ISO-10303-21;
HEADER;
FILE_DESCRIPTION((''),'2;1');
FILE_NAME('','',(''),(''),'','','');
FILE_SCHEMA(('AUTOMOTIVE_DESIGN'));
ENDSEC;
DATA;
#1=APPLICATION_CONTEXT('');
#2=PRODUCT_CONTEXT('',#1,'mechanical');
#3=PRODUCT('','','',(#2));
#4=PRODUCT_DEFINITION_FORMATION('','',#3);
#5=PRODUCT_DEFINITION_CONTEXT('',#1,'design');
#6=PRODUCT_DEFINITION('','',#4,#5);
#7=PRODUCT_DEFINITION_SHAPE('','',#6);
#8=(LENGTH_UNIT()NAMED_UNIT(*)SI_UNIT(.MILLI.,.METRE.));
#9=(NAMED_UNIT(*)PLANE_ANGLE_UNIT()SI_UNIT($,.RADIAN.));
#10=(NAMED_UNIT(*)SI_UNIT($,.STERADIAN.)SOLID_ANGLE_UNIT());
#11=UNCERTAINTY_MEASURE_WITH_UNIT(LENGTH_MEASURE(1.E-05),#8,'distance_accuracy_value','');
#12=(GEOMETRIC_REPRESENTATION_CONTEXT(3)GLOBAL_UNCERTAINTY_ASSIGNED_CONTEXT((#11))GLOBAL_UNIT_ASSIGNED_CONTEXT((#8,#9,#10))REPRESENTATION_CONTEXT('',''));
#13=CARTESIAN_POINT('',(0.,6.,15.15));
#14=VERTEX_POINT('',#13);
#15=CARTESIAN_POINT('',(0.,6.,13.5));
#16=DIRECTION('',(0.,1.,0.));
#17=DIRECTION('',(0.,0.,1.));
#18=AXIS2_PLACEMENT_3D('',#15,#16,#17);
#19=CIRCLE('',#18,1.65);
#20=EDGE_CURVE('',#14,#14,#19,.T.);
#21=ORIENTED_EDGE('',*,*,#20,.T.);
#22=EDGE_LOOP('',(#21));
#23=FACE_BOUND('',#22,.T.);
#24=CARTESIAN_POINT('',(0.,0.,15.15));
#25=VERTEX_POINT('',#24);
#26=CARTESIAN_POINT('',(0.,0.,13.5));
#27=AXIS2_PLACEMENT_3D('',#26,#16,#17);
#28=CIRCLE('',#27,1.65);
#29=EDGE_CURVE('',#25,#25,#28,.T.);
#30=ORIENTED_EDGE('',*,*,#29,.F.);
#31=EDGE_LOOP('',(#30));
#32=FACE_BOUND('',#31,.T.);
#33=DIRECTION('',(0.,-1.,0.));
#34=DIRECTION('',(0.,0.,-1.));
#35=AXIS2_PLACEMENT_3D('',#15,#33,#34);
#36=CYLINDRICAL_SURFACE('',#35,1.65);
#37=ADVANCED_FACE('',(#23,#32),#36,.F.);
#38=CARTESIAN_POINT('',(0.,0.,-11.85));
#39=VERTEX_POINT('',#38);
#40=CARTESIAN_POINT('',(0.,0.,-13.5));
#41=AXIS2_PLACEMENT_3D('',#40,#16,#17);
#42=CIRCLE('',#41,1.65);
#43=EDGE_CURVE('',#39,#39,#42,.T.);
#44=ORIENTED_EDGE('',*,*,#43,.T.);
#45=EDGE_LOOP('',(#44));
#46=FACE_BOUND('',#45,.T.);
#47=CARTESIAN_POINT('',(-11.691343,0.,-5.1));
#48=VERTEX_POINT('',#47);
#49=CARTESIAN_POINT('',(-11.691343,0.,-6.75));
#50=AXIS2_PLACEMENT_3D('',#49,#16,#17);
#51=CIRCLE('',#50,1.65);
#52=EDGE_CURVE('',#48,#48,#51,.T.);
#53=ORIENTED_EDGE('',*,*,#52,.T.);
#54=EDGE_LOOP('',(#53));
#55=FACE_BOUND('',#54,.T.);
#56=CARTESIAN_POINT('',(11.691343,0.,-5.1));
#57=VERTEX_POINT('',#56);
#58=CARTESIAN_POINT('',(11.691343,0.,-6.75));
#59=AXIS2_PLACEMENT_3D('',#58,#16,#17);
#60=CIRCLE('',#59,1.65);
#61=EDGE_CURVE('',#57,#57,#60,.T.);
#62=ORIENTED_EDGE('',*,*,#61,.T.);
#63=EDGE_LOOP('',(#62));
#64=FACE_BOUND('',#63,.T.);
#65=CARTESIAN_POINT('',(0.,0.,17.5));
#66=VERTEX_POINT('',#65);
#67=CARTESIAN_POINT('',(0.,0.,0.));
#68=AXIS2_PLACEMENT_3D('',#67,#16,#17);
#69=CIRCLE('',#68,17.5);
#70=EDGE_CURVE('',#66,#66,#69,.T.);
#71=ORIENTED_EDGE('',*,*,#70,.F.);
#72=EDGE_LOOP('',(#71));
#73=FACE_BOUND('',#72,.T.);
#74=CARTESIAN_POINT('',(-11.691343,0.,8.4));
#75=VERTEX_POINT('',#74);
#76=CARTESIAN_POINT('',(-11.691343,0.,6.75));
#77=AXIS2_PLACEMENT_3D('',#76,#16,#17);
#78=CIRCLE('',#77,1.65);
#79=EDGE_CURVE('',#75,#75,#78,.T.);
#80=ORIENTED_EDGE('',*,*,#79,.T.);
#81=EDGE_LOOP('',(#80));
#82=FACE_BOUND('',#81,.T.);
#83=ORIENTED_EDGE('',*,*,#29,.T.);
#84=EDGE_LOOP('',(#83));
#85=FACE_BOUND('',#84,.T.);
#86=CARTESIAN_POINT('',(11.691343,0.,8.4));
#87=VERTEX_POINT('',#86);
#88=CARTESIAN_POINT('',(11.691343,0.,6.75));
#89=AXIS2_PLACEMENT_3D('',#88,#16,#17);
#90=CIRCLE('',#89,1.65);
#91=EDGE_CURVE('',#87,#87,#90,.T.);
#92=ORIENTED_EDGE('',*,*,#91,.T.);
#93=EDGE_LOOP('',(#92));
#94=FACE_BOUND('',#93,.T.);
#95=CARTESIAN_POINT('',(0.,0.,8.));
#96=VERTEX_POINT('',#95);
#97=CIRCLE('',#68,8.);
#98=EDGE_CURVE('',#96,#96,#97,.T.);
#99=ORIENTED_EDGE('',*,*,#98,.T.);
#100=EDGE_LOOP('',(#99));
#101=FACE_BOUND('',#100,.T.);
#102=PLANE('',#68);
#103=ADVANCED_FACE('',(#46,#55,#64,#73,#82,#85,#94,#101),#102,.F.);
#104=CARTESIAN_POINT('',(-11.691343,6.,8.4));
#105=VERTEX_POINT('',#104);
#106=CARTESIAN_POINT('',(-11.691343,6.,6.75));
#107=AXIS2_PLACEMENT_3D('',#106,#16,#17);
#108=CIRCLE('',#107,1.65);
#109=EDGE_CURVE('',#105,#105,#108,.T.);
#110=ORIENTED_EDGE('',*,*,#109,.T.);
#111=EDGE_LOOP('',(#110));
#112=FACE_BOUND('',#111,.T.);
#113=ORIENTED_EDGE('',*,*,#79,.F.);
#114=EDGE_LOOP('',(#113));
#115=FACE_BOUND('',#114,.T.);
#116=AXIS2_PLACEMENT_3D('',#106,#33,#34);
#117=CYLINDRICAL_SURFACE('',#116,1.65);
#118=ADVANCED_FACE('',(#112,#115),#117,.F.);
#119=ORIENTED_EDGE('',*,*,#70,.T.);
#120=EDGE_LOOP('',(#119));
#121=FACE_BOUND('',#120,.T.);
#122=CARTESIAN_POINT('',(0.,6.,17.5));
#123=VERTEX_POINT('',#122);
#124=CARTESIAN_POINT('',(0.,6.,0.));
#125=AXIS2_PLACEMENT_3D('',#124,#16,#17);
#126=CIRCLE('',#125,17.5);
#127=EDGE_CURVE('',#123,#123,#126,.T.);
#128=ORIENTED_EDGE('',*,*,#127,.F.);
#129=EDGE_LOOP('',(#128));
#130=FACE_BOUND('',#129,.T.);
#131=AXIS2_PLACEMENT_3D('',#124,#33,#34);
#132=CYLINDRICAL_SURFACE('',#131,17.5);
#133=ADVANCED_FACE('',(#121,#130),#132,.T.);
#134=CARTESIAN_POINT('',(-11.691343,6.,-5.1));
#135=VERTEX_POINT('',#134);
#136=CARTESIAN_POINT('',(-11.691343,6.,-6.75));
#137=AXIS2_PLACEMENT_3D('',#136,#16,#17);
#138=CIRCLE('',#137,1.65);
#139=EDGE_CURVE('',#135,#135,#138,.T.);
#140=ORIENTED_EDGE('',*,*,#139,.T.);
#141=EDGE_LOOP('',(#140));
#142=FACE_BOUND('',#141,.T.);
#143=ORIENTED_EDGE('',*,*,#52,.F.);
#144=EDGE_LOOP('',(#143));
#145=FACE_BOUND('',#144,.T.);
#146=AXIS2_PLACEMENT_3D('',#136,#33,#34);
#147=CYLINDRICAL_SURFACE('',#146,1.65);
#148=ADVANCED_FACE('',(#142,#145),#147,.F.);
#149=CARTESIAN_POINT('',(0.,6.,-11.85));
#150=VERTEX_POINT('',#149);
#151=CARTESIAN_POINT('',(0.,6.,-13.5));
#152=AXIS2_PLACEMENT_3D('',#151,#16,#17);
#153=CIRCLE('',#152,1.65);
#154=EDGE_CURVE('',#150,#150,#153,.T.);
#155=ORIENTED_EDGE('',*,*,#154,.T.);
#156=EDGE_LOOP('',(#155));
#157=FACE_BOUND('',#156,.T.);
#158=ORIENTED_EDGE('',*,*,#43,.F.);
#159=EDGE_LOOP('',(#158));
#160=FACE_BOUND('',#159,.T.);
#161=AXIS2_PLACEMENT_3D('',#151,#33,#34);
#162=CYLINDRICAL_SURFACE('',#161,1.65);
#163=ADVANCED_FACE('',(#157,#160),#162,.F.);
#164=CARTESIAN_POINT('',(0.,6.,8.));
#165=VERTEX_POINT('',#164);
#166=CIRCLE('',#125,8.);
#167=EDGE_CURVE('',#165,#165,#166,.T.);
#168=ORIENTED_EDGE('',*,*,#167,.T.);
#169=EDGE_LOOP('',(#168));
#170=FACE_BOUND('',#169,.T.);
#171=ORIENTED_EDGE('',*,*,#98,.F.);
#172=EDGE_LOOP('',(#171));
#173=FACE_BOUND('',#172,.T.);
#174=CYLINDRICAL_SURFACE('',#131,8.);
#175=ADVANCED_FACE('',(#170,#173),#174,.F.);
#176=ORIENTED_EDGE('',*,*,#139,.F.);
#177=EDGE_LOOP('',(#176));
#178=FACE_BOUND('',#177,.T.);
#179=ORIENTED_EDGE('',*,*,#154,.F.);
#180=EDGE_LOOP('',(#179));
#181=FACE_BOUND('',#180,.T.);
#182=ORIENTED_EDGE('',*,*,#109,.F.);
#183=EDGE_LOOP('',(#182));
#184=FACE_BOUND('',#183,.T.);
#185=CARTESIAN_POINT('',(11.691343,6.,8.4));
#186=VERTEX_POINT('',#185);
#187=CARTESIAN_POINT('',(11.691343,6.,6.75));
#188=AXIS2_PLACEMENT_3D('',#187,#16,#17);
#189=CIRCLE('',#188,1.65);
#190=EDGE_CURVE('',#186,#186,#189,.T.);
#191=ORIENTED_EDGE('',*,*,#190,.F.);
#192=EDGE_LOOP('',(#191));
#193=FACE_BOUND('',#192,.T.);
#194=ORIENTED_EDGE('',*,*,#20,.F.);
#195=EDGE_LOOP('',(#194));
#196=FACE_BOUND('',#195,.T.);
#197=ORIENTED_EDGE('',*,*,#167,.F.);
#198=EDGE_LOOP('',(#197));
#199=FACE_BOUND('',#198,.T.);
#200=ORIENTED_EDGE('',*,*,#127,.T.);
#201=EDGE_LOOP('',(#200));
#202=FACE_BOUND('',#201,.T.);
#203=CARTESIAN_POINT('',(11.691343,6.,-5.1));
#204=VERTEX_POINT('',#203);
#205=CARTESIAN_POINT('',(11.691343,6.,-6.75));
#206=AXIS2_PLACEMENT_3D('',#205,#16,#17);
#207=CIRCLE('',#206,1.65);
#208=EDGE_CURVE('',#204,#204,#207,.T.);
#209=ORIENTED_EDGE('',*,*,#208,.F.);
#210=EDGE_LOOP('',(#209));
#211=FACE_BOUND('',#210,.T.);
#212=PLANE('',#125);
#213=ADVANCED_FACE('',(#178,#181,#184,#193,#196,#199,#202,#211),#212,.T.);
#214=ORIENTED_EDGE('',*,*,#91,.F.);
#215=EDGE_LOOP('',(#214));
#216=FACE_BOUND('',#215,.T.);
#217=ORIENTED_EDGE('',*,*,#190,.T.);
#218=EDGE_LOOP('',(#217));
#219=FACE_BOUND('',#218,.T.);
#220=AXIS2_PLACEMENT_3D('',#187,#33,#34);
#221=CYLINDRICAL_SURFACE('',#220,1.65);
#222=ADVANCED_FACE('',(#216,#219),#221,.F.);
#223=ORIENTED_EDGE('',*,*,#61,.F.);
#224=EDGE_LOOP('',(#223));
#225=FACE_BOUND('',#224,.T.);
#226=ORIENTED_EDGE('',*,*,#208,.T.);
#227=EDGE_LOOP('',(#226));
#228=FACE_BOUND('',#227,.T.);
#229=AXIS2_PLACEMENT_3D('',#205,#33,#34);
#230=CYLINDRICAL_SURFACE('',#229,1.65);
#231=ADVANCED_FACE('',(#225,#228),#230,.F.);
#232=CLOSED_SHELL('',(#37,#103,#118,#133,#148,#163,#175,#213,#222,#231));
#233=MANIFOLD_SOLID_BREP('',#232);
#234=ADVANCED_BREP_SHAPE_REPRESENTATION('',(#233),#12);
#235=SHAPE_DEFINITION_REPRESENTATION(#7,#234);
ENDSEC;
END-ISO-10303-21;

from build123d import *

# Parameters (mm, degrees)
SKETCH_1_R      = 17.5
SKETCH_1_R_2    = 8
SKETCH_1_R_3    = 1.65
EXTRUDE_1_DEPTH = 6


with BuildPart() as part:
    # 草图1 → 凸台-拉伸1 (new body)
    with BuildSketch(Plane(origin=(0, 0, 0), x_dir=(1, 0, 0), z_dir=(0, 1, 0))):
        Circle(SKETCH_1_R)
        Circle(SKETCH_1_R_2, mode=Mode.SUBTRACT)
        with Locations((0, 13.5)):
            Circle(SKETCH_1_R_3, mode=Mode.SUBTRACT)
        with Locations((11.691342951, 6.75)):
            Circle(SKETCH_1_R_3, mode=Mode.SUBTRACT)
        with Locations((11.691342951, -6.75)):
            Circle(SKETCH_1_R_3, mode=Mode.SUBTRACT)
        with Locations((0, -13.5)):
            Circle(SKETCH_1_R_3, mode=Mode.SUBTRACT)
        with Locations((-11.691342951, -6.75)):
            Circle(SKETCH_1_R_3, mode=Mode.SUBTRACT)
        with Locations((-11.691342951, 6.75)):
            Circle(SKETCH_1_R_3, mode=Mode.SUBTRACT)
    extrude(amount=EXTRUDE_1_DEPTH)


solid = part.part
